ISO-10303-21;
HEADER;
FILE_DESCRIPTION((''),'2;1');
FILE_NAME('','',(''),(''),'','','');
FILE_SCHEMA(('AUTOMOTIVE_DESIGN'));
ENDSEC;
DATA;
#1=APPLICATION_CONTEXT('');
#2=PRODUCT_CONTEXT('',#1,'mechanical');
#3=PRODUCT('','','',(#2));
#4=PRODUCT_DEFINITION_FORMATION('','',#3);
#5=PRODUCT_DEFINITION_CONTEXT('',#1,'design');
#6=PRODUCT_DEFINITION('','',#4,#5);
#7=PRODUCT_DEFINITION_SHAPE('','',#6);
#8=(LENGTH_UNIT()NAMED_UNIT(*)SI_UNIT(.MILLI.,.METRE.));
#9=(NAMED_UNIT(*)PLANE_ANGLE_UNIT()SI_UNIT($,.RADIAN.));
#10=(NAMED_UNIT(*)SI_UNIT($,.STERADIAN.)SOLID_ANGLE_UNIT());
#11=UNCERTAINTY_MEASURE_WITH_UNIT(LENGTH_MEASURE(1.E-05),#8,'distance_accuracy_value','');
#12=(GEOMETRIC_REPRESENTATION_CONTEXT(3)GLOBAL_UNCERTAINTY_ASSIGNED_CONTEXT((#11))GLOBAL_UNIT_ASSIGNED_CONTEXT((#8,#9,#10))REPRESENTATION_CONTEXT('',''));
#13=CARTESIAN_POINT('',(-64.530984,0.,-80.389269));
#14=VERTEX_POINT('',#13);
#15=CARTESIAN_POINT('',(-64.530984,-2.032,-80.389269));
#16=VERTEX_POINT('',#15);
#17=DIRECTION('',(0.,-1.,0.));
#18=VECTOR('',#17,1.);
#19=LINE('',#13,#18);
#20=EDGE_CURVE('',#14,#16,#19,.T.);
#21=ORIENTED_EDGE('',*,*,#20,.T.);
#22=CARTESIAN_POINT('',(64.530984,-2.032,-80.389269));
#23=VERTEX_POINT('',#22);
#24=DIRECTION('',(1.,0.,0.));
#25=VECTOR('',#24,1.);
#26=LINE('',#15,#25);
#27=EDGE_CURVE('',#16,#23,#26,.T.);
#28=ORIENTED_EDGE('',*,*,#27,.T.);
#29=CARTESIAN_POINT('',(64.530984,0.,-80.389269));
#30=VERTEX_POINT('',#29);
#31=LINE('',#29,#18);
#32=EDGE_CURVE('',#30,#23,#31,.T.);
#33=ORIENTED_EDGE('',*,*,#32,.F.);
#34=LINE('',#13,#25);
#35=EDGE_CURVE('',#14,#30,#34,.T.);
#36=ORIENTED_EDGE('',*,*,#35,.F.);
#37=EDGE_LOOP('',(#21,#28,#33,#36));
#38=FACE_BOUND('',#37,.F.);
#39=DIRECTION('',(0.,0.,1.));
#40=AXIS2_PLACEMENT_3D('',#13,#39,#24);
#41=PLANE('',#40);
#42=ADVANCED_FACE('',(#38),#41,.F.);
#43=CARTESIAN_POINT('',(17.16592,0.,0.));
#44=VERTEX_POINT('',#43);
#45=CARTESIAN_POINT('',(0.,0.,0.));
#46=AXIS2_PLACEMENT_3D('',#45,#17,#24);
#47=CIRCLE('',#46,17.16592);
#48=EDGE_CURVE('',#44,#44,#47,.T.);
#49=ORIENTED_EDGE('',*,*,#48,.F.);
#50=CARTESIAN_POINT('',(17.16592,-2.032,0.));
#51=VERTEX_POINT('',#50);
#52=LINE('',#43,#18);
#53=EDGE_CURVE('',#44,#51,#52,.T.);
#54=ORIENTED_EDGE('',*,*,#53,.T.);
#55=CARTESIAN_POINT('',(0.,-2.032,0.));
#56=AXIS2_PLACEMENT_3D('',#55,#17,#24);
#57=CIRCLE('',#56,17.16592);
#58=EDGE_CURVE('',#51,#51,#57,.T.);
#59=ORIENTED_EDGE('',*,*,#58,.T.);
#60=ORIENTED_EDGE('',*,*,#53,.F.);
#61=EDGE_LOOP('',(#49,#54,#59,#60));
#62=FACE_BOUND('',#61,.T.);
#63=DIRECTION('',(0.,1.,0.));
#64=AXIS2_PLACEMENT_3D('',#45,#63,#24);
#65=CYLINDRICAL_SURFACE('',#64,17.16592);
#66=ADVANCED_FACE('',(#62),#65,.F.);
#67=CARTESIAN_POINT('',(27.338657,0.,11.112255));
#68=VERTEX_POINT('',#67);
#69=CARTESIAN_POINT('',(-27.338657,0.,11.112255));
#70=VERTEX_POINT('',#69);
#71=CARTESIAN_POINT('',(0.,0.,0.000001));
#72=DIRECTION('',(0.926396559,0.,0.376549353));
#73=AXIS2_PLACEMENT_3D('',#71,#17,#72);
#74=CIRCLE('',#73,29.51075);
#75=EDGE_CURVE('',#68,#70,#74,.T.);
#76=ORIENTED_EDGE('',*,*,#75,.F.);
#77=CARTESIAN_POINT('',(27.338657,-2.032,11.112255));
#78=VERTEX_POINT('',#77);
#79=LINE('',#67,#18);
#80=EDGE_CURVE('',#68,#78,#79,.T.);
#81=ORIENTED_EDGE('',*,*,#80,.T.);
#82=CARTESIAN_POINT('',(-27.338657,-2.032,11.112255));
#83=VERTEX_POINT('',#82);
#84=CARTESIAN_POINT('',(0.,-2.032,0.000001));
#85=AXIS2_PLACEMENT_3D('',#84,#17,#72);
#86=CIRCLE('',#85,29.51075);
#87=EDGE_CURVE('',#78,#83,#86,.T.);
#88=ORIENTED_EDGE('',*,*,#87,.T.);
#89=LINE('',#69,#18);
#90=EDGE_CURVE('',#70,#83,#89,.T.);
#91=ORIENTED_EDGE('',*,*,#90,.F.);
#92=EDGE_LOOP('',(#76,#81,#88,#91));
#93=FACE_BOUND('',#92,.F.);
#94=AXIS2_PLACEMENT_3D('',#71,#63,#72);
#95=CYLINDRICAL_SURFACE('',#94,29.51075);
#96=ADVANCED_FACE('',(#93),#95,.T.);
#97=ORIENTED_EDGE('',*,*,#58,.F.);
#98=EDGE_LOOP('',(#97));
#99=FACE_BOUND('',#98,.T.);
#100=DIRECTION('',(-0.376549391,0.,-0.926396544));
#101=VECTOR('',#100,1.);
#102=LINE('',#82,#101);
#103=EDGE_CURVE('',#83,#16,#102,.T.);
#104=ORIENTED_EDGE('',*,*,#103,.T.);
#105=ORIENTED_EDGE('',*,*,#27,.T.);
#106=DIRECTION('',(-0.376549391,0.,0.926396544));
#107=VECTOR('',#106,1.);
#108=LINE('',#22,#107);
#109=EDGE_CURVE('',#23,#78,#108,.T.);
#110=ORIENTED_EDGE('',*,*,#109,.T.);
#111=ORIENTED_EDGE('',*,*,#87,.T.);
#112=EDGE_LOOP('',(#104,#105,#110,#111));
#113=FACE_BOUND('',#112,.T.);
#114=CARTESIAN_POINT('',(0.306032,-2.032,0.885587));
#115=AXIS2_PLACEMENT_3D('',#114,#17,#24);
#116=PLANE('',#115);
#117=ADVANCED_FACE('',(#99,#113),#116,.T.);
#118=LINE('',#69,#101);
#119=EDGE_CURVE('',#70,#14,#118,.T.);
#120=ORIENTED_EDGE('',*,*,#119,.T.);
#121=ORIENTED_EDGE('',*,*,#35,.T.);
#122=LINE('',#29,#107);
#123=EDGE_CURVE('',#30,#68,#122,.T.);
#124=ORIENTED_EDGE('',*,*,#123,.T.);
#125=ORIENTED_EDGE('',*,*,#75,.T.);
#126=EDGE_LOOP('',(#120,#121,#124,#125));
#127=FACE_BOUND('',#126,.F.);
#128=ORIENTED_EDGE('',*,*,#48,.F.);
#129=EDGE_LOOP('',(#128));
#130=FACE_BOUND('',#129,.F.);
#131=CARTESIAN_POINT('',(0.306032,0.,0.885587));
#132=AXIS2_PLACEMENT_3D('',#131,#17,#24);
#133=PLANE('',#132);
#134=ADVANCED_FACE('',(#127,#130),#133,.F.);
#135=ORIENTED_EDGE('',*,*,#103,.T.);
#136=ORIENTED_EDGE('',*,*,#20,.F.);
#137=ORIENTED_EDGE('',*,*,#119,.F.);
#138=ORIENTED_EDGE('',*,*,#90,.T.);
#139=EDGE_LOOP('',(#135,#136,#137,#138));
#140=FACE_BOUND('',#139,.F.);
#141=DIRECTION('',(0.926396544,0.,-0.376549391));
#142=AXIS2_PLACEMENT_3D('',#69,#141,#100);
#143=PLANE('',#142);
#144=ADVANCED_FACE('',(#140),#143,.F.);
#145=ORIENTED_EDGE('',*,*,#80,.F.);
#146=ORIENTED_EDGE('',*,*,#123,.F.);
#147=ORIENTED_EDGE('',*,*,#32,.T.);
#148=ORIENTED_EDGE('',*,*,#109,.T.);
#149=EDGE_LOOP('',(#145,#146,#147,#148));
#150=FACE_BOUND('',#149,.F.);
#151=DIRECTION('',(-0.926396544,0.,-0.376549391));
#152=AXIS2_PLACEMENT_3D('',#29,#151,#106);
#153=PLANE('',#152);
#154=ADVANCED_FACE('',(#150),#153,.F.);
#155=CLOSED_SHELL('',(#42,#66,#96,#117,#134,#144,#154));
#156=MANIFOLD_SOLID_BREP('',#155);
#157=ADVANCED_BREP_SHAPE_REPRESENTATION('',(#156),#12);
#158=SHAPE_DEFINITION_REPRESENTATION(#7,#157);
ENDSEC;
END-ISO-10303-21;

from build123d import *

# Parameters (mm, degrees)
F0_R     = 17.16592
F1_DEPTH = 2.032


with BuildPart() as f1:
    # F0 (on Front) → F1 (new body)
    with BuildSketch(Plane.XZ):
        with BuildLine():
            ThreePointArc((-27.338657, 11.112255), (-5.661276, -28.962637), (29.510751, 0))
            ThreePointArc((29.510751, 0), (28.962637, 5.661276), (27.338657, 11.112255))
            ThreePointArc((27.338657, 11.112255), (0, 29.510751), (-27.338657, 11.112255))
        make_face()
        Circle(F0_R, mode=Mode.SUBTRACT)
        with BuildLine():
            ThreePointArc((27.338657, 11.112255), (28.962637, 5.661276), (29.510751, 0))
            ThreePointArc((29.510751, 0), (-5.661276, -28.962637), (-27.338657, 11.112255))
            Line((-27.338657, 11.112255), (-64.530984, -80.389269))
            Line((-64.530984, -80.389269), (64.530984, -80.389269))
            Line((64.530984, -80.389269), (27.338657, 11.112255))
        make_face()
    extrude(amount=F1_DEPTH)


solid = f1.part
